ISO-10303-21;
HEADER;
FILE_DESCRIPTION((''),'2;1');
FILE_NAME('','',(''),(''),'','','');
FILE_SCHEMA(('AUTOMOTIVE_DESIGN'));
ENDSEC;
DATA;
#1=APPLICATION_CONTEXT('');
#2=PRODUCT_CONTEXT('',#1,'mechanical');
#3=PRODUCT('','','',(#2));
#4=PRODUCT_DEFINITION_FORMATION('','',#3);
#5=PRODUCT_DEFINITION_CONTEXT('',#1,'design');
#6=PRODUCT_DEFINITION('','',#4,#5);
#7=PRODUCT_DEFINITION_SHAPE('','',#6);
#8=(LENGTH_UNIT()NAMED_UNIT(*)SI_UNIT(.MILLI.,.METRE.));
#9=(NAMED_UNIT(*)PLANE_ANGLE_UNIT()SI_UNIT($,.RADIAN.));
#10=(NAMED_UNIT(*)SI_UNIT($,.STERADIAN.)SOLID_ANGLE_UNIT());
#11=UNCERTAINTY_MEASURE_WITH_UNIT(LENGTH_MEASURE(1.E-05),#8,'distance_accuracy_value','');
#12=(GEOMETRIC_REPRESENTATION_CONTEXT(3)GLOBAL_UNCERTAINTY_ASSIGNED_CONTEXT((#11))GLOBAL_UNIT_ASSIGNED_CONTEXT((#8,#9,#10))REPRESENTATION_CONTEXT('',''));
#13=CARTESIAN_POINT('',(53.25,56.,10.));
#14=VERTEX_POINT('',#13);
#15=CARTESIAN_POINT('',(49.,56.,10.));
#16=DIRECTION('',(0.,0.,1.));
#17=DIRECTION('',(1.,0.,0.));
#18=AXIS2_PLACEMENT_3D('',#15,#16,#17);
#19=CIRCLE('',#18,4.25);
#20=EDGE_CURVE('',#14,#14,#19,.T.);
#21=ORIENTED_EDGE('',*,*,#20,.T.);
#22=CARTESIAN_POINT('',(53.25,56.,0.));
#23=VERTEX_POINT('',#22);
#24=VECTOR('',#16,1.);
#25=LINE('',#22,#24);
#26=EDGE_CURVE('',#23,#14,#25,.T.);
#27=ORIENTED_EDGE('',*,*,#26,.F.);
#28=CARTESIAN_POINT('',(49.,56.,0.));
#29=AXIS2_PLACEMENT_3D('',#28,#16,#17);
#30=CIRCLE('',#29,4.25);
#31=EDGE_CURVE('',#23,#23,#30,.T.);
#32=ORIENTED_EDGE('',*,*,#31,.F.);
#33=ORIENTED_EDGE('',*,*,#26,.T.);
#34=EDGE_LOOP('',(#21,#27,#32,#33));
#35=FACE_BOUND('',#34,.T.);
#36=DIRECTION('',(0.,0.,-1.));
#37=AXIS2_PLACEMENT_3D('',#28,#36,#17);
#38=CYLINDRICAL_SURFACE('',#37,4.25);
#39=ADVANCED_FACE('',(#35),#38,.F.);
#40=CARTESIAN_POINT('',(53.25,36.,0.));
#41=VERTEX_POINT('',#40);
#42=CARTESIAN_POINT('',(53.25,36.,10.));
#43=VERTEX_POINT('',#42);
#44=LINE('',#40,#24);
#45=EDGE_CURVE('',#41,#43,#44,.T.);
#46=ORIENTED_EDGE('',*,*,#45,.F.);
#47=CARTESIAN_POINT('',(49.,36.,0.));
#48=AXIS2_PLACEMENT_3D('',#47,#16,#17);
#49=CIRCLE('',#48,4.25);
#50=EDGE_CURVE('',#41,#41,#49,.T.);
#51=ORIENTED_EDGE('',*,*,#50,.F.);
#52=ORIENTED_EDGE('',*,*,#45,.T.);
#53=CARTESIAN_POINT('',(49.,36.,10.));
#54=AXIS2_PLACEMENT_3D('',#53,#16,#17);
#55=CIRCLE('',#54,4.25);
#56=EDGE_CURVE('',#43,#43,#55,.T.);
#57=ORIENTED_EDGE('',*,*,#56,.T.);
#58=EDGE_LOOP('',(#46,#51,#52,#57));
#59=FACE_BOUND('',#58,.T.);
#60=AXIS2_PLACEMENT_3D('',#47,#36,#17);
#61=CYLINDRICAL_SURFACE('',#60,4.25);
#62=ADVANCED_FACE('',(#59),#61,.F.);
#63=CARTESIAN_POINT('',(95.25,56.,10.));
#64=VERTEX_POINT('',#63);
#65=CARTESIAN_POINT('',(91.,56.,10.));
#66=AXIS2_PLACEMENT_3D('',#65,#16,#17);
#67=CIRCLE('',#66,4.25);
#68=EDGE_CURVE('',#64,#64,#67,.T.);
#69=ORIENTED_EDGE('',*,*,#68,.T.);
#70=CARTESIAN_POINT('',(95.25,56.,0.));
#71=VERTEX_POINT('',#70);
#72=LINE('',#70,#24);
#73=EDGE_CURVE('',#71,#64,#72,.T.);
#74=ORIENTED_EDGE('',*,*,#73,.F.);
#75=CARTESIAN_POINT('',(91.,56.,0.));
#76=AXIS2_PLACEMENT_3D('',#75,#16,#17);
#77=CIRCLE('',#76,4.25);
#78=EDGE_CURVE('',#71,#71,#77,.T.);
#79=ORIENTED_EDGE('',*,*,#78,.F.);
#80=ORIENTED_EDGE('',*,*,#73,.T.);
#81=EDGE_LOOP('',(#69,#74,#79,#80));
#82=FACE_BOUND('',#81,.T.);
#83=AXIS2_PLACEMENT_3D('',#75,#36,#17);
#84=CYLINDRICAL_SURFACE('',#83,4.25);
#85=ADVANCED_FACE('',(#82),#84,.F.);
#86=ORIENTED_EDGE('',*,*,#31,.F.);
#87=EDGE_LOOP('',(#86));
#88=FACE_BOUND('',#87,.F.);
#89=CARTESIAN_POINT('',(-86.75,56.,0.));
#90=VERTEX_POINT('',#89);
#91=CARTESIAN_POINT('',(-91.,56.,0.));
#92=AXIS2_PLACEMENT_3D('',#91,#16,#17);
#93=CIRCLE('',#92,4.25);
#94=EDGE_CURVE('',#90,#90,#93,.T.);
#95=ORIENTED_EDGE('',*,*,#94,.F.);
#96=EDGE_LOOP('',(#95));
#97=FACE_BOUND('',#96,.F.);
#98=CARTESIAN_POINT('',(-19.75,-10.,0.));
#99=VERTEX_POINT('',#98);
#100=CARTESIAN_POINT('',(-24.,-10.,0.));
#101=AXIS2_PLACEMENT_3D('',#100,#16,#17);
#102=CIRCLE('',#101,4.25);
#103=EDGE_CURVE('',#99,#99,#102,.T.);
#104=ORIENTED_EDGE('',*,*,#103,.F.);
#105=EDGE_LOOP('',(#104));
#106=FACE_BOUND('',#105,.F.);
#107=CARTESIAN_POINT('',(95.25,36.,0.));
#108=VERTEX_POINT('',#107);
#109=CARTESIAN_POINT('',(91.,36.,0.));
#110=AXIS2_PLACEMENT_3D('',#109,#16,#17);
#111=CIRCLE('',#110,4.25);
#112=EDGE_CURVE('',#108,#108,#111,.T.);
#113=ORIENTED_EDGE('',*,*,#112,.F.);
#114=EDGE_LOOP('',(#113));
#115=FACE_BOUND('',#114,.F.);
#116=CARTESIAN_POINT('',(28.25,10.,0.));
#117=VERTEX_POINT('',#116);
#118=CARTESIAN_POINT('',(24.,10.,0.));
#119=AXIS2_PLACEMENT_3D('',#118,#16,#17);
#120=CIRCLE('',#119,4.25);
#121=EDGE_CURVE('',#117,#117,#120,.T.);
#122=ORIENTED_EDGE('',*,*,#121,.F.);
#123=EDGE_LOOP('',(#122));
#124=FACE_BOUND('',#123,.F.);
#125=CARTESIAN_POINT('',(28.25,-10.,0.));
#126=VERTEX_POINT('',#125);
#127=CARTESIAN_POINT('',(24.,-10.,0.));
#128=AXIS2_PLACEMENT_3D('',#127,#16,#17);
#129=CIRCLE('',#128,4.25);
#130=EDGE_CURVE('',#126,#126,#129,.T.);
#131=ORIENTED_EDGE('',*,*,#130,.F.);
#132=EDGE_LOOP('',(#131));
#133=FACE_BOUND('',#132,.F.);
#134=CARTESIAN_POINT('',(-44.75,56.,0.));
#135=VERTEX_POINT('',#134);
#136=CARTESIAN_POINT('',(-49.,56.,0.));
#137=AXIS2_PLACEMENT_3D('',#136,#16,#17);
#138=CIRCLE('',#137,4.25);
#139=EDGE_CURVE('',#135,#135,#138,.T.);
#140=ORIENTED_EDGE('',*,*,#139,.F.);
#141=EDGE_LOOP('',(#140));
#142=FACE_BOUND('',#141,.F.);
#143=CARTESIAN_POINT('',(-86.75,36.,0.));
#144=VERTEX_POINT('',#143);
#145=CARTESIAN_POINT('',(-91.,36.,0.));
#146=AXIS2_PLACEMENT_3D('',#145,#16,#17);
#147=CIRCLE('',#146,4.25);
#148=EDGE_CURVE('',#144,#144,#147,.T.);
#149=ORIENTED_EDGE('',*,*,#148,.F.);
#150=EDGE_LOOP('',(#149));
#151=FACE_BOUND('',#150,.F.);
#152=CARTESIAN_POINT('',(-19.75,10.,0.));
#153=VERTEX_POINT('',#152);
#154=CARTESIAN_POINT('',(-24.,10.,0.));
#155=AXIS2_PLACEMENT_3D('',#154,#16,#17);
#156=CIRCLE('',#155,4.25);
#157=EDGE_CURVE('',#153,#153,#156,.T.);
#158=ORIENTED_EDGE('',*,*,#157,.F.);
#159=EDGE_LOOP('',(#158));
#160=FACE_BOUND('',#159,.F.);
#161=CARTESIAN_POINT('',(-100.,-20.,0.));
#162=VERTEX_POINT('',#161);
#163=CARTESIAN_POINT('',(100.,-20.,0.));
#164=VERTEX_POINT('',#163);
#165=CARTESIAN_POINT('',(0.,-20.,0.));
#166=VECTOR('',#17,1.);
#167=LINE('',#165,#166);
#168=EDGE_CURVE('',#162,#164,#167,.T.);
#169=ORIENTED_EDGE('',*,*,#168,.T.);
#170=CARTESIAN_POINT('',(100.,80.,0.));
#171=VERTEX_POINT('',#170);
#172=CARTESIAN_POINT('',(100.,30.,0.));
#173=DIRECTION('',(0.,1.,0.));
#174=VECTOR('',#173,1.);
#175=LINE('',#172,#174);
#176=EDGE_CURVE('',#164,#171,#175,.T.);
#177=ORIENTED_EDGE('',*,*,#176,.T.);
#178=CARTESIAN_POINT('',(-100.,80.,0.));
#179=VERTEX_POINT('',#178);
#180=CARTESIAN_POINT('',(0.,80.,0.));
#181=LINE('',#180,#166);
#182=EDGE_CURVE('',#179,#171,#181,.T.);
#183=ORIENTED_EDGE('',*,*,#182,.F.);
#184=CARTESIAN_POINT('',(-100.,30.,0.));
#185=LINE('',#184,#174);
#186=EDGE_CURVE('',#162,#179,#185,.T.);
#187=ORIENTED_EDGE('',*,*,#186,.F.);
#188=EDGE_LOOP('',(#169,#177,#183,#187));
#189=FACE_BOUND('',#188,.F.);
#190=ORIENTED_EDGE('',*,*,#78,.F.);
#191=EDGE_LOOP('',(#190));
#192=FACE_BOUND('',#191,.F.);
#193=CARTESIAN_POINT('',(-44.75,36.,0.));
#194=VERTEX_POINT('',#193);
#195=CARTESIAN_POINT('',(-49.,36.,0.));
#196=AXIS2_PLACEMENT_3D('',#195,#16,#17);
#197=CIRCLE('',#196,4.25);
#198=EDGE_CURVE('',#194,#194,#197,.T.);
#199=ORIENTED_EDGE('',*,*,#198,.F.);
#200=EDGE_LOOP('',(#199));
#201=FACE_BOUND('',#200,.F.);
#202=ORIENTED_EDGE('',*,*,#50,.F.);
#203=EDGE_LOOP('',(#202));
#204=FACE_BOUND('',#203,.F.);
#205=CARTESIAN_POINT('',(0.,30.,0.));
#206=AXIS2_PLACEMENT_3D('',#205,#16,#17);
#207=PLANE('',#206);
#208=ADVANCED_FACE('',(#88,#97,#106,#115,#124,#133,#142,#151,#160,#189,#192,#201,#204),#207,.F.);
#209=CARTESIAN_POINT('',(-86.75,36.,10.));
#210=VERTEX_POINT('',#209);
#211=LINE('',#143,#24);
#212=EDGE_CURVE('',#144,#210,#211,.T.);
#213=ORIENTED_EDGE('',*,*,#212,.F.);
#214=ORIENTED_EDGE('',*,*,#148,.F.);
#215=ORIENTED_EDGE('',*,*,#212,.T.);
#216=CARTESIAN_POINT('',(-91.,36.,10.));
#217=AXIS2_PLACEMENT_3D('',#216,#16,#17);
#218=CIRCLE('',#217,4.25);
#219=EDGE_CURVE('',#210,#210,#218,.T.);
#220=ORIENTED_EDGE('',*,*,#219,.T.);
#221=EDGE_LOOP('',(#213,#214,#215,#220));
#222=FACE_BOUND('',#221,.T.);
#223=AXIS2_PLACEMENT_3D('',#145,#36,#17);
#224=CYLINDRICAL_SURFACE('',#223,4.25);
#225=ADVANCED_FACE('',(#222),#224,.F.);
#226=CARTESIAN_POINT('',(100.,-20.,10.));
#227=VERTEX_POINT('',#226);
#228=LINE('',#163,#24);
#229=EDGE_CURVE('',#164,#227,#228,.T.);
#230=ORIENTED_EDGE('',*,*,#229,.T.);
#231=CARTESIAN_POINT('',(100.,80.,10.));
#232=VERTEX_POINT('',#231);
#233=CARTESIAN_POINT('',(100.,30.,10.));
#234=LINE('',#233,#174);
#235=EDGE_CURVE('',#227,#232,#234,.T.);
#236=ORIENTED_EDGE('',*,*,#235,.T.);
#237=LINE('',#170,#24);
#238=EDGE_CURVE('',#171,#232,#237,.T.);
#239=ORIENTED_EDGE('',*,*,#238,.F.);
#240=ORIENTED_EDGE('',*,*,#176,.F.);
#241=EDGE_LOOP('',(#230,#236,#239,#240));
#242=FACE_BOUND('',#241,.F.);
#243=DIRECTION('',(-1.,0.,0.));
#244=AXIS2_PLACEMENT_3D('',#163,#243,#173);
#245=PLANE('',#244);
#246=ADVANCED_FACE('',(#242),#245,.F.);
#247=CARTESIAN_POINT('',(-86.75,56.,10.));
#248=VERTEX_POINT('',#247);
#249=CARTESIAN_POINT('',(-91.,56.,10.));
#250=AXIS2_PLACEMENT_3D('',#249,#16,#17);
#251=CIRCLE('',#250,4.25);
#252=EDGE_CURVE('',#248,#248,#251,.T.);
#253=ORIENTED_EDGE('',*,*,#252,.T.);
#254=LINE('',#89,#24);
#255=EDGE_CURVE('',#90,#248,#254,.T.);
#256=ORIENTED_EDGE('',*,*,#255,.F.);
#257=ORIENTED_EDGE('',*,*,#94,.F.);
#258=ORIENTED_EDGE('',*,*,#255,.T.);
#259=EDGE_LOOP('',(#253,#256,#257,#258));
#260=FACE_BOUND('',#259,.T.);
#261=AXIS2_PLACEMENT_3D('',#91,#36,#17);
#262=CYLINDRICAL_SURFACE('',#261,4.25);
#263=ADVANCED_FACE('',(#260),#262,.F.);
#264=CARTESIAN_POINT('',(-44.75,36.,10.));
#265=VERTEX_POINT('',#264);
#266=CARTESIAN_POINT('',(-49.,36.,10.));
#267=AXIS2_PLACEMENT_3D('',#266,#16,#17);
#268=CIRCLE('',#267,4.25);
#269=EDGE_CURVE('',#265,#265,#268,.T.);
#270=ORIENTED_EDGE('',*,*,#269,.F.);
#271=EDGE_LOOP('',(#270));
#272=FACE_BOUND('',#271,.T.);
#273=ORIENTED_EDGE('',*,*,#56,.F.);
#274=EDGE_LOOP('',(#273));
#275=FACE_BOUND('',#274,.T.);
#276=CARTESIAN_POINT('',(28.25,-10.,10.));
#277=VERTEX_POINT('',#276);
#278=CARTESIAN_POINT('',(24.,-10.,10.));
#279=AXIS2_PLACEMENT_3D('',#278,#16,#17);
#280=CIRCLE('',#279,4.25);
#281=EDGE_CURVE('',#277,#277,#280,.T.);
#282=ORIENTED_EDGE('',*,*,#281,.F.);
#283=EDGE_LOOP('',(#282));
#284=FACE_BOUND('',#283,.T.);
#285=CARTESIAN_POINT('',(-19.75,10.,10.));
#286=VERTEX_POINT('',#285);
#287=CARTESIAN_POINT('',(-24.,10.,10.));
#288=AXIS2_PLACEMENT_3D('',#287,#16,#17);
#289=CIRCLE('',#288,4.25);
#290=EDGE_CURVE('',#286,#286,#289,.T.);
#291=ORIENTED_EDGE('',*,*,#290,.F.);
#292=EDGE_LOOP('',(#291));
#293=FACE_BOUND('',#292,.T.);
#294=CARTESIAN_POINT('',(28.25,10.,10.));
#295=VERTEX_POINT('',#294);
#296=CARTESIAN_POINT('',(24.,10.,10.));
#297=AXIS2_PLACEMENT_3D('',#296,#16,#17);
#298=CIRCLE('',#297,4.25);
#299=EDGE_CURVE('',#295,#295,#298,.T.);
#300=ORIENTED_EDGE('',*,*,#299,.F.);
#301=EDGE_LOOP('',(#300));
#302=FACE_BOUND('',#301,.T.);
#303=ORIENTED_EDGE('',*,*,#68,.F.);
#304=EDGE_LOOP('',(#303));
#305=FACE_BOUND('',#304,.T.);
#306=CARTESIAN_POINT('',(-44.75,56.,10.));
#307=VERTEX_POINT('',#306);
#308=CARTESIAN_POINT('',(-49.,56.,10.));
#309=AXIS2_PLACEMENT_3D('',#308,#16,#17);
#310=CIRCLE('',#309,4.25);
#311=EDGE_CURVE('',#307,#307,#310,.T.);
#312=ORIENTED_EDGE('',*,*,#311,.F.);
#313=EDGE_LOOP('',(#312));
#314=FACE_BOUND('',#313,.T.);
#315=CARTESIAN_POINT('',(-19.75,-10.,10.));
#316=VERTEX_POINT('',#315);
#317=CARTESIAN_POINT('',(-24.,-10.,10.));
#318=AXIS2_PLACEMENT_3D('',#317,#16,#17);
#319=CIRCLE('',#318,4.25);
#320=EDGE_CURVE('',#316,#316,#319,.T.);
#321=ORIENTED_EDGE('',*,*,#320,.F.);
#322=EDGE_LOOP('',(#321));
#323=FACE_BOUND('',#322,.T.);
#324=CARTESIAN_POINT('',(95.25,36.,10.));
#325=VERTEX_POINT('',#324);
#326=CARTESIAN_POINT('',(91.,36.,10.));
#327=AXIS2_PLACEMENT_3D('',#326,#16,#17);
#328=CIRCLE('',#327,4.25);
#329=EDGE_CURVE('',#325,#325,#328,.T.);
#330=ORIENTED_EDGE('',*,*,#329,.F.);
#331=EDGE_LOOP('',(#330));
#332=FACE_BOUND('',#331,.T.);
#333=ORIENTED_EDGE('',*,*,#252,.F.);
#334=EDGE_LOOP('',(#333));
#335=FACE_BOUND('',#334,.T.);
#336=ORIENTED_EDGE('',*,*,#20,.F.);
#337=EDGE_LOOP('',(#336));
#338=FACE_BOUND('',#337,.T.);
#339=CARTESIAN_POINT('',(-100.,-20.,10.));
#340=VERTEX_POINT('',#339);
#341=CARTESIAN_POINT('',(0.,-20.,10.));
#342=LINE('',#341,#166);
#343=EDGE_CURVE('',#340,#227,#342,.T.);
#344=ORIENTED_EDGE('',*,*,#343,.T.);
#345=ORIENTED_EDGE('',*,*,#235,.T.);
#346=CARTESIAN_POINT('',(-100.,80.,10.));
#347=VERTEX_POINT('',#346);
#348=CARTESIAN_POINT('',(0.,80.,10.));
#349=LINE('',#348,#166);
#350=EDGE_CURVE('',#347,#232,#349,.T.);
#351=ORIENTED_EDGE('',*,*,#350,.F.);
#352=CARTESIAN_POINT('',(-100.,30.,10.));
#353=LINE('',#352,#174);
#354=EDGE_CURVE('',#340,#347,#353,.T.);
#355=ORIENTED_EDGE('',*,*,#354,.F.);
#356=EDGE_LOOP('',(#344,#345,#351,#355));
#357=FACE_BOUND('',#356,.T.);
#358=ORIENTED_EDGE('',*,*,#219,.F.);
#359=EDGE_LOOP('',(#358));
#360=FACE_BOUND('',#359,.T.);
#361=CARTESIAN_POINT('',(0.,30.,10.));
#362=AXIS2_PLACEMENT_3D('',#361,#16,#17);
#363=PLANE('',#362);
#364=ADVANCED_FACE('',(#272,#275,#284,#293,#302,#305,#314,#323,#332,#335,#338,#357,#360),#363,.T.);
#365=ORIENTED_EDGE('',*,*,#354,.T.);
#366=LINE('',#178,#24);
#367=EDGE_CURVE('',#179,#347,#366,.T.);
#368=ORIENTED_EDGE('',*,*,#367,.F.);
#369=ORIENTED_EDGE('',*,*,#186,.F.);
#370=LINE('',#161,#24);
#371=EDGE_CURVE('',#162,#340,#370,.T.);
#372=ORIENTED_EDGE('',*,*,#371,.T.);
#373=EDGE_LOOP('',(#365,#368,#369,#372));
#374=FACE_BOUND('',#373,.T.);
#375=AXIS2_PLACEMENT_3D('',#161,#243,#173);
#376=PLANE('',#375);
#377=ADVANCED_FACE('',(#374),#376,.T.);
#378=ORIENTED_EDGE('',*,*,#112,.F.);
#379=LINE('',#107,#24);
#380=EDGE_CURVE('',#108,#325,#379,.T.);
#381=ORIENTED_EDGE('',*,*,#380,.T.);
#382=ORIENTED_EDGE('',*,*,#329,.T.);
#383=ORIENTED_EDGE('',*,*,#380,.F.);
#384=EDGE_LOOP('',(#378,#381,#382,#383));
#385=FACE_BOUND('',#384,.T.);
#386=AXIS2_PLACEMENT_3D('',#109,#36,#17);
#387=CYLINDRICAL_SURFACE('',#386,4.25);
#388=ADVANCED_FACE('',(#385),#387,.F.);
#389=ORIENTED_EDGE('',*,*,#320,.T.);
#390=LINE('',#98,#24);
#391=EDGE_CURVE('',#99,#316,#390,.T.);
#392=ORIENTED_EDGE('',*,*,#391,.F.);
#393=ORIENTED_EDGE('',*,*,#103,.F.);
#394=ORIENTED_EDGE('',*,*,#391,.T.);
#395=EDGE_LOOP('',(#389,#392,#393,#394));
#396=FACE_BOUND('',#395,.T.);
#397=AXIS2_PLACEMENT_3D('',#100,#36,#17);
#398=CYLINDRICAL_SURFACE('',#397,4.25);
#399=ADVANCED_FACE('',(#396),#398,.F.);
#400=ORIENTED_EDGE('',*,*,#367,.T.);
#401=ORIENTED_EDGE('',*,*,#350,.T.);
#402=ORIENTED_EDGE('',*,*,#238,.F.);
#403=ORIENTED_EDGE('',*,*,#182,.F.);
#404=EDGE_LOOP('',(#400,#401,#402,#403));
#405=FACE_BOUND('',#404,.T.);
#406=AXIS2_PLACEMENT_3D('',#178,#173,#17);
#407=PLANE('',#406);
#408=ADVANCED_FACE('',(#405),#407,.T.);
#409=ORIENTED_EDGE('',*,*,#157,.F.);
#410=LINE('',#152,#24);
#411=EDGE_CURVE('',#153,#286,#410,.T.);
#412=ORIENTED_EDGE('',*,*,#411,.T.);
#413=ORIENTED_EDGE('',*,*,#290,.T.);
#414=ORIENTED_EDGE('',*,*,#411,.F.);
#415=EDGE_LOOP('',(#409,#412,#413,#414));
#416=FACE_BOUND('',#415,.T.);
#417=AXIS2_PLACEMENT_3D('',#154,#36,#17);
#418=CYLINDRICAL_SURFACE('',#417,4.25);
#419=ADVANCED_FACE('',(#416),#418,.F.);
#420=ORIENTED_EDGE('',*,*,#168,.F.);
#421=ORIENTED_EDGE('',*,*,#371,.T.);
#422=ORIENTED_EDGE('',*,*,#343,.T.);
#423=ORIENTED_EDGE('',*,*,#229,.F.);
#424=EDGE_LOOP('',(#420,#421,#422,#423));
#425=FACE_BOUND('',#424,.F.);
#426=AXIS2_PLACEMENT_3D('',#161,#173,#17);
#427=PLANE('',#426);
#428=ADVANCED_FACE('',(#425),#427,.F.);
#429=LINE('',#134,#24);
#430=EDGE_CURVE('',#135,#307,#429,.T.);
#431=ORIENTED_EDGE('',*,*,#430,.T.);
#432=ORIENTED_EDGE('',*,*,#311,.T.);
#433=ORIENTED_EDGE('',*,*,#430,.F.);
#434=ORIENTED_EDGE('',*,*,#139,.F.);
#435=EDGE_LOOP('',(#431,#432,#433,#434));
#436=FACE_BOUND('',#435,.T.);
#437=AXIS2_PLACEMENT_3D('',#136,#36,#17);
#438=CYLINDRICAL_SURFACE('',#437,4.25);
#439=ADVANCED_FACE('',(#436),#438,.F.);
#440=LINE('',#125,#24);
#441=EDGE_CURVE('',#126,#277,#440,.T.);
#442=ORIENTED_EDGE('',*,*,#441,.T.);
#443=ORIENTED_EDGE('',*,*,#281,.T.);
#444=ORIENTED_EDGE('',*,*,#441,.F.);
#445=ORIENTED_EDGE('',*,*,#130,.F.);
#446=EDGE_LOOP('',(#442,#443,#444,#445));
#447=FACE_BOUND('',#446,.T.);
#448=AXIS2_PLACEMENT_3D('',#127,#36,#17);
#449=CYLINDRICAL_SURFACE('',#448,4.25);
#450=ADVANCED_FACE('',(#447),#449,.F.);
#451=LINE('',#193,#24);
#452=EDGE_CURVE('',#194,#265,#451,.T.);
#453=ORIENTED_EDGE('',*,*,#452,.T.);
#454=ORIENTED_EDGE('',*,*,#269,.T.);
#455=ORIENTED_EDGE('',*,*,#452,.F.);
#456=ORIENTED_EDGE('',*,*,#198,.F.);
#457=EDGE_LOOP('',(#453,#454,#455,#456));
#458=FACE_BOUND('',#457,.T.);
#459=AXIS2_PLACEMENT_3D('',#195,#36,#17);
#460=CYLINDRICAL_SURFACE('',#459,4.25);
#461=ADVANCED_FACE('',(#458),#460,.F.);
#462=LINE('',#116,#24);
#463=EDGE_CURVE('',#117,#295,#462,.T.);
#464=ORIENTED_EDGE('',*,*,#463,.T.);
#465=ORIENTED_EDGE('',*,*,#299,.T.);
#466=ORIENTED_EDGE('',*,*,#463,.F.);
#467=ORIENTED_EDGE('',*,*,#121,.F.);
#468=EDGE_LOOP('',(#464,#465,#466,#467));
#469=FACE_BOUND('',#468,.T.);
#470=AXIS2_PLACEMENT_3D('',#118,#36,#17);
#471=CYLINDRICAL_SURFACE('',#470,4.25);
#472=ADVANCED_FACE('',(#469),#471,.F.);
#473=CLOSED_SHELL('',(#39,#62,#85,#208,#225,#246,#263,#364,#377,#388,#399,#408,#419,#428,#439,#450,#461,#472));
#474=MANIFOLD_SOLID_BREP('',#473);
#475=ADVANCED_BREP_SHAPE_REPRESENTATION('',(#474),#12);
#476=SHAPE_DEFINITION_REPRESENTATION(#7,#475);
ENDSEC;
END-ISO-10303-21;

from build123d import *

# Parameters (mm, degrees)
F0_W     = 200
F0_H     = 100
F0_R     = 4.25
F1_DEPTH = 10


with BuildPart() as f1:
    # F0 (on Top) → F1 (new body)
    with BuildSketch(Plane.XY):
        with Locations((0, 30)):
            Rectangle(F0_W, F0_H)
        with Locations((-24, -10)):
            Circle(F0_R, mode=Mode.SUBTRACT)
        with Locations((-24, 10)):
            Circle(F0_R, mode=Mode.SUBTRACT)
        with Locations((24, -10)):
            Circle(F0_R, mode=Mode.SUBTRACT)
        with Locations((24, 10)):
            Circle(F0_R, mode=Mode.SUBTRACT)
        with Locations((-91, 36)):
            Circle(F0_R, mode=Mode.SUBTRACT)
        with Locations((-49, 36)):
            Circle(F0_R, mode=Mode.SUBTRACT)
        with Locations((-91, 56)):
            Circle(F0_R, mode=Mode.SUBTRACT)
        with Locations((-49, 56)):
            Circle(F0_R, mode=Mode.SUBTRACT)
        with Locations((49, 36)):
            Circle(F0_R, mode=Mode.SUBTRACT)
        with Locations((91, 36)):
            Circle(F0_R, mode=Mode.SUBTRACT)
        with Locations((49, 56)):
            Circle(F0_R, mode=Mode.SUBTRACT)
        with Locations((91, 56)):
            Circle(F0_R, mode=Mode.SUBTRACT)
    extrude(amount=F1_DEPTH)


solid = f1.part
